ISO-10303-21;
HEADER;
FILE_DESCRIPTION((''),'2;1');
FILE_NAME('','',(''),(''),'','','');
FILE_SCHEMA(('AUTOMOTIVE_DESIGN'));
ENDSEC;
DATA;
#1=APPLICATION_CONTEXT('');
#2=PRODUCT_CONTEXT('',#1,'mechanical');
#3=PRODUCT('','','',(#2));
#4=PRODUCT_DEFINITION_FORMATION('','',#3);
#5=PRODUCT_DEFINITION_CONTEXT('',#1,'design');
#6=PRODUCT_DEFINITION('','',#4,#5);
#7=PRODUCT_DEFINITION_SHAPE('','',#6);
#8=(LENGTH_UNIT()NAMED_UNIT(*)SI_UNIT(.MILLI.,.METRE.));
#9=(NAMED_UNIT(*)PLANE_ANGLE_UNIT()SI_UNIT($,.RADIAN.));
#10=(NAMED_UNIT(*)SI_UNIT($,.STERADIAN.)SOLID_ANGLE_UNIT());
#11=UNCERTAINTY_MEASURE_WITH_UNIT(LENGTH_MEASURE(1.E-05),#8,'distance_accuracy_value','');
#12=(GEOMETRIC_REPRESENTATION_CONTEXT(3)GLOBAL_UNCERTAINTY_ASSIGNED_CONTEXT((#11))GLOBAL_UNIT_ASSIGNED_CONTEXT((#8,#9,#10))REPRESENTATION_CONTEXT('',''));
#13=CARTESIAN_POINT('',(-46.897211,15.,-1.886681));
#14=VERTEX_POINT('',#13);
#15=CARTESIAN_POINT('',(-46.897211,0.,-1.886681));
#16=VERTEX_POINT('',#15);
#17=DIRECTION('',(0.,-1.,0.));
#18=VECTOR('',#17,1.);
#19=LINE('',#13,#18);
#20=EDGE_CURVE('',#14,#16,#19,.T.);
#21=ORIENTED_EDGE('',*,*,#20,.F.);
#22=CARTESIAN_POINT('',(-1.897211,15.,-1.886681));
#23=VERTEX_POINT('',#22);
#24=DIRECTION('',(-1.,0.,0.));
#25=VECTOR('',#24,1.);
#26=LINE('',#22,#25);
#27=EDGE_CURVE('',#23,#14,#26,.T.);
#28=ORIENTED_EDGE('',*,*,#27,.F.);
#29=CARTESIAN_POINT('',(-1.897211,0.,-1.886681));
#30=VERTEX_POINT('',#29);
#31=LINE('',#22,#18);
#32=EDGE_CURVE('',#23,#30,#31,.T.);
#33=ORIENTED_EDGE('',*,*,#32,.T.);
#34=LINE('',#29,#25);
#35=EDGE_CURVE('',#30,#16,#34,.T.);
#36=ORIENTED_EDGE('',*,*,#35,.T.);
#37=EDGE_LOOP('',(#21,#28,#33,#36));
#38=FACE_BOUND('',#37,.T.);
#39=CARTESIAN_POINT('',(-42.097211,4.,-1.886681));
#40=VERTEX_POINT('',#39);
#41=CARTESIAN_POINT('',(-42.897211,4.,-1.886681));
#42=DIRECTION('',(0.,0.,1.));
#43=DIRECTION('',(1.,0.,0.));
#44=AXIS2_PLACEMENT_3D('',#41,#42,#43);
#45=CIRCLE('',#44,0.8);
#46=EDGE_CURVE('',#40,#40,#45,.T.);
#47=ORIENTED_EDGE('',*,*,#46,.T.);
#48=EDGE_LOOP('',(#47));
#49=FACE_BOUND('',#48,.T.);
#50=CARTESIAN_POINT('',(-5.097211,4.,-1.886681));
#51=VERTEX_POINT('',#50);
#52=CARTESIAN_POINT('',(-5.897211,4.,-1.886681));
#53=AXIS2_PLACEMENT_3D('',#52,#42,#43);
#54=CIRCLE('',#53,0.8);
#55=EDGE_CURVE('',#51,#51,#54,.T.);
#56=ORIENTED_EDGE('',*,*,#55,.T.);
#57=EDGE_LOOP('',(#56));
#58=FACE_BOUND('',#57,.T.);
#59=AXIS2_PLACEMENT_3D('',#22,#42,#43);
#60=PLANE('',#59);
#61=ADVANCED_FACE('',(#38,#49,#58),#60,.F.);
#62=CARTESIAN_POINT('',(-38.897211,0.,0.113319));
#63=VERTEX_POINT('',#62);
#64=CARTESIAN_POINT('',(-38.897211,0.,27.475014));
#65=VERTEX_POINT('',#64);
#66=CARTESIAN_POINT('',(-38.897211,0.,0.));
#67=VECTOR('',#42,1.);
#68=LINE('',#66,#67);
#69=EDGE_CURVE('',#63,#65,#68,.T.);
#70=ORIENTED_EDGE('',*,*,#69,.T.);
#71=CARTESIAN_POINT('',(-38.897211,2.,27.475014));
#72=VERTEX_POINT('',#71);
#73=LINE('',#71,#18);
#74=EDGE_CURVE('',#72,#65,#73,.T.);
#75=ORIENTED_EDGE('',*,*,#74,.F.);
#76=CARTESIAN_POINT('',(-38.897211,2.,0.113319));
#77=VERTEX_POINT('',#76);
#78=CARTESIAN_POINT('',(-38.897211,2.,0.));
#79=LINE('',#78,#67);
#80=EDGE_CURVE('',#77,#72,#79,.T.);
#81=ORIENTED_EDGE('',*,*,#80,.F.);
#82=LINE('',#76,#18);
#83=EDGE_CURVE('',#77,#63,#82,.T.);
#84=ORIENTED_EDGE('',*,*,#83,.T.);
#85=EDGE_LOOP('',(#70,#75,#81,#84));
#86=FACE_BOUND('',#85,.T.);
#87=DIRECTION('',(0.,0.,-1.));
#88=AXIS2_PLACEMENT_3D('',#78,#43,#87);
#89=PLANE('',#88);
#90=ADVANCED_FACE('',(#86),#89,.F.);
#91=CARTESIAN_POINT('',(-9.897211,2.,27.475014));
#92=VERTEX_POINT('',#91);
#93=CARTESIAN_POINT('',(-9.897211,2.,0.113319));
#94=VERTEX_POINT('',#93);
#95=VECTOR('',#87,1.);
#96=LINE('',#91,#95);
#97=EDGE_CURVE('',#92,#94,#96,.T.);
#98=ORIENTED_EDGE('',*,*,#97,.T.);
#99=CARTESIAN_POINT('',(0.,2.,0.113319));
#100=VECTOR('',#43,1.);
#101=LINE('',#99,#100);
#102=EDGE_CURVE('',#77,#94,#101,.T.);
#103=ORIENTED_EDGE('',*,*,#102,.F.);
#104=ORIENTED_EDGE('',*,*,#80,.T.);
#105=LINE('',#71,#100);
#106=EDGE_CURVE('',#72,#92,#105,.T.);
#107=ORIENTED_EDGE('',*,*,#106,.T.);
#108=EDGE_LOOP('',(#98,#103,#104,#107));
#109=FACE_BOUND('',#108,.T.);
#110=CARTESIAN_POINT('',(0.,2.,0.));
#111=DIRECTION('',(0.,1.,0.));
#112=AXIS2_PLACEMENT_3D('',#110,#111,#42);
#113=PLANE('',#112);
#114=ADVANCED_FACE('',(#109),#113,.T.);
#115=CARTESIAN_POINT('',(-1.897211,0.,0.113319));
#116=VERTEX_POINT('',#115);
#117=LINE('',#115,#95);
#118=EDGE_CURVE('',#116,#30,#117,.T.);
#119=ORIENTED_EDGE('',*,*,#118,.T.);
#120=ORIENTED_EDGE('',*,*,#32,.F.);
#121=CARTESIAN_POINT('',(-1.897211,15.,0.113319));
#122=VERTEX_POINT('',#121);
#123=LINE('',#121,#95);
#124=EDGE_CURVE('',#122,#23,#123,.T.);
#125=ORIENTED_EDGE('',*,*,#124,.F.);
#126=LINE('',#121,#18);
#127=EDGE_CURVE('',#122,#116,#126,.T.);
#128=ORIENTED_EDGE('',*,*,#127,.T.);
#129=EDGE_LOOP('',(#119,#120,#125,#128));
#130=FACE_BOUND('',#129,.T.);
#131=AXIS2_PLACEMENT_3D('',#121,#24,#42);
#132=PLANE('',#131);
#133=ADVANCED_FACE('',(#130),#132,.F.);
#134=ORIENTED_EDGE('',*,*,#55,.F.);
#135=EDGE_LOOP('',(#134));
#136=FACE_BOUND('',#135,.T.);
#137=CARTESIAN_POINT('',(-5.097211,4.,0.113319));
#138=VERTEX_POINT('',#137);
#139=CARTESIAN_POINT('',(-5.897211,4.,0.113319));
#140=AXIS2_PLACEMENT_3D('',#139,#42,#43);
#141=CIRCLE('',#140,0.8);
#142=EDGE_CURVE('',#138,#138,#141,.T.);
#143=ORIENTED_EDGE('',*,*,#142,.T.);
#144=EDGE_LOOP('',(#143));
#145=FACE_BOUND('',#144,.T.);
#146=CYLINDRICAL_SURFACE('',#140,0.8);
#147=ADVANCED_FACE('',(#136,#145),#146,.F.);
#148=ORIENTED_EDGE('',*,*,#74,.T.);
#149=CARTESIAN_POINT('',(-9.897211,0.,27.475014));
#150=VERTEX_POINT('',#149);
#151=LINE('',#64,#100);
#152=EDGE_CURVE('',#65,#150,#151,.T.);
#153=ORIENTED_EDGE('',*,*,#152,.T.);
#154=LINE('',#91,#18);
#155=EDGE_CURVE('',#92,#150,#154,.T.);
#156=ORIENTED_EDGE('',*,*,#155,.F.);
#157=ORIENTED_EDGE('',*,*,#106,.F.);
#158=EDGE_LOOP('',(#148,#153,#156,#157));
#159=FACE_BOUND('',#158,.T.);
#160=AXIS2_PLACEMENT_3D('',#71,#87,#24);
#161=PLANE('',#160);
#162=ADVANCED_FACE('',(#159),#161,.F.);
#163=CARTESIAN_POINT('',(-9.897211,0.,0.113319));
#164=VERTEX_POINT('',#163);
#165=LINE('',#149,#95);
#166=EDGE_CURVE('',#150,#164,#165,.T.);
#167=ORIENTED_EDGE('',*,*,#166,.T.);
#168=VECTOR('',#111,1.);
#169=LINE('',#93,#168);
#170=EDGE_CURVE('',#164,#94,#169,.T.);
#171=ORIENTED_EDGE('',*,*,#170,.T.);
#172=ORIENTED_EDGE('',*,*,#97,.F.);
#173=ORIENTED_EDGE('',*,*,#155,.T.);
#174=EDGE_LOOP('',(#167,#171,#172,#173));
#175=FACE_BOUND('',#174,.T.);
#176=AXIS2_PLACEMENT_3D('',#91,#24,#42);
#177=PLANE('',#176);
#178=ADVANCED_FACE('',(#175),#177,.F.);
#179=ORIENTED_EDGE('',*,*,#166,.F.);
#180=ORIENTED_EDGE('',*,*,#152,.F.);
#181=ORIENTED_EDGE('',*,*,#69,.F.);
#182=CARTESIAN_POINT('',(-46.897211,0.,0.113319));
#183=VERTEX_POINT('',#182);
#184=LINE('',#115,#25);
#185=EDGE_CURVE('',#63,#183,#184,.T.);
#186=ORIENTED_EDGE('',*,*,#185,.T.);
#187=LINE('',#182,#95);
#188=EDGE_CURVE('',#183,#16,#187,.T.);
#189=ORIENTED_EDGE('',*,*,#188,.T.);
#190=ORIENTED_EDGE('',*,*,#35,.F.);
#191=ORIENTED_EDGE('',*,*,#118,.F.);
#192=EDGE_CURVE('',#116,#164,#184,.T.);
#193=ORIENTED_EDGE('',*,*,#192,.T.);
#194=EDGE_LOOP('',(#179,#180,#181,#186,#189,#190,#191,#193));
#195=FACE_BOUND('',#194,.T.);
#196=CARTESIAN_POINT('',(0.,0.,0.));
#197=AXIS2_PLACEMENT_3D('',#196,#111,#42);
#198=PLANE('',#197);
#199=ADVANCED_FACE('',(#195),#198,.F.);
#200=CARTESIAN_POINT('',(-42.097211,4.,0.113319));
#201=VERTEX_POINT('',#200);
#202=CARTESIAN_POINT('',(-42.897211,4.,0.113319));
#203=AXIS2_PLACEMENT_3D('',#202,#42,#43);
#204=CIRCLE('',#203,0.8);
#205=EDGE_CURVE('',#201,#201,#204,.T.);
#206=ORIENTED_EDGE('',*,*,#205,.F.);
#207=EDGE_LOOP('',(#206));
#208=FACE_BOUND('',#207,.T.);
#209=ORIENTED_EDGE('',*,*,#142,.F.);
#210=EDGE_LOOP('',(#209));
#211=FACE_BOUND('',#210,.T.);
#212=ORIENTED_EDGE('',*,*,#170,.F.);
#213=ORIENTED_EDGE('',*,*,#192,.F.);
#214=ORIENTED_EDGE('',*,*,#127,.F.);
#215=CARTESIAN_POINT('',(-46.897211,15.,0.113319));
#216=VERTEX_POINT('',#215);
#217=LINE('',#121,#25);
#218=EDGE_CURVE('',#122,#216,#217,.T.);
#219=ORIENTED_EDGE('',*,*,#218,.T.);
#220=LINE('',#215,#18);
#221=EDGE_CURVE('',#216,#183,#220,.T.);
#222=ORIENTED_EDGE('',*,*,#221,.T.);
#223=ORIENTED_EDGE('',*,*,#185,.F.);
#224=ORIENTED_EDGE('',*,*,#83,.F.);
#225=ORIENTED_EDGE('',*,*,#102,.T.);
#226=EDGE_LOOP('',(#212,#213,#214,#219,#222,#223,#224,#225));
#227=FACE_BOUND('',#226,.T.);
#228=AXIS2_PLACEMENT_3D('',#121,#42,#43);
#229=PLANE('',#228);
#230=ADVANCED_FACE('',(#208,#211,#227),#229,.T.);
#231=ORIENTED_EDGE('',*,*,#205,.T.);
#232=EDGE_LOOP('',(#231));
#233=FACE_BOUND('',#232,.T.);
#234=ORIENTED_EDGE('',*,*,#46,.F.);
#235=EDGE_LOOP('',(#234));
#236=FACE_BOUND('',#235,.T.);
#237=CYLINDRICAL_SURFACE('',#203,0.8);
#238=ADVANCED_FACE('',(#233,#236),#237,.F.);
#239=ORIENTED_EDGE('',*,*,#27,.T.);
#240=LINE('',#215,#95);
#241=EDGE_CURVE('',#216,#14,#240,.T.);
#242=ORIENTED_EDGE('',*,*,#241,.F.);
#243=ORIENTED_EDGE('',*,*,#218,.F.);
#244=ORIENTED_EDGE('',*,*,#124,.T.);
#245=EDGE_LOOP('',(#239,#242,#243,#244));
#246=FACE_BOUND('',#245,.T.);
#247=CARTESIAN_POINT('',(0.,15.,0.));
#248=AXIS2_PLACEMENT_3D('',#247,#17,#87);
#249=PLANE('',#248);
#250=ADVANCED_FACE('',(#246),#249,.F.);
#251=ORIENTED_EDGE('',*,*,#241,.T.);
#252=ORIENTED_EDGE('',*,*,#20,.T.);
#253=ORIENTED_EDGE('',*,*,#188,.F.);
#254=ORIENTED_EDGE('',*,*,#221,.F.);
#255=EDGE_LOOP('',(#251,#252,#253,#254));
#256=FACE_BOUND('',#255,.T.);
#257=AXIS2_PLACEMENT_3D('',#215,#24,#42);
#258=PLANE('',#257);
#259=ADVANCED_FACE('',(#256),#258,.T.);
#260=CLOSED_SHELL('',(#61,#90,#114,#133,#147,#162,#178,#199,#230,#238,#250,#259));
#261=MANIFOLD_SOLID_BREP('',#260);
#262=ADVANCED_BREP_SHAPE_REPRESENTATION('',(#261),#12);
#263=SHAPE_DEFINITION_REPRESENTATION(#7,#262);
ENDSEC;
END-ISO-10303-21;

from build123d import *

# Parameters (mm, degrees)
SKETCH2_W                   = 29
SKETCH2_H                   = 27.475014389
BOSS_EXTRUDE1_DEPTH         = 2
SKETCH7_W                   = 45
SKETCH7_H                   = 2
BOSS_EXTRUDE2_DEPTH         = 15
TAP_DRILL_FOR_M2X0_4_TAP1_D = 1.6
TAP_DRILL_FOR_M2X0_4_TAP2_D = 1.6


with BuildPart() as part:
    # Sketch2 → Boss-Extrude1 (new body)
    with BuildSketch(Plane(origin=(0, 0, 0), x_dir=(1, 0, 0), z_dir=(0, 1, 0))):
        with Locations((-24.397211382, -13.737507195)):
            Rectangle(SKETCH2_W, SKETCH2_H)
    extrude(amount=BOSS_EXTRUDE1_DEPTH)

    # Sketch7 → Boss-Extrude2 (add)
    with BuildSketch(Plane(origin=(0, 0, 0), x_dir=(-1, 0, 0), z_dir=(0, -1, 0))):
        with Locations((24.397211382, 0.886680676)):
            Rectangle(SKETCH7_W, SKETCH7_H)
    extrude(amount=-BOSS_EXTRUDE2_DEPTH)

    # Tap Drill for M2x0.4 Tap1 (through all)
    with Locations(Plane.XY.offset(0.113319324)):
        with Locations((-42.897211382, 4)):
            Hole(TAP_DRILL_FOR_M2X0_4_TAP1_D / 2)

    # Tap Drill for M2x0.4 Tap2 (through all)
    with Locations(Plane.XY.offset(0.113319324)):
        with Locations((-5.897211382, 4)):
            Hole(TAP_DRILL_FOR_M2X0_4_TAP2_D / 2)


solid = part.part
